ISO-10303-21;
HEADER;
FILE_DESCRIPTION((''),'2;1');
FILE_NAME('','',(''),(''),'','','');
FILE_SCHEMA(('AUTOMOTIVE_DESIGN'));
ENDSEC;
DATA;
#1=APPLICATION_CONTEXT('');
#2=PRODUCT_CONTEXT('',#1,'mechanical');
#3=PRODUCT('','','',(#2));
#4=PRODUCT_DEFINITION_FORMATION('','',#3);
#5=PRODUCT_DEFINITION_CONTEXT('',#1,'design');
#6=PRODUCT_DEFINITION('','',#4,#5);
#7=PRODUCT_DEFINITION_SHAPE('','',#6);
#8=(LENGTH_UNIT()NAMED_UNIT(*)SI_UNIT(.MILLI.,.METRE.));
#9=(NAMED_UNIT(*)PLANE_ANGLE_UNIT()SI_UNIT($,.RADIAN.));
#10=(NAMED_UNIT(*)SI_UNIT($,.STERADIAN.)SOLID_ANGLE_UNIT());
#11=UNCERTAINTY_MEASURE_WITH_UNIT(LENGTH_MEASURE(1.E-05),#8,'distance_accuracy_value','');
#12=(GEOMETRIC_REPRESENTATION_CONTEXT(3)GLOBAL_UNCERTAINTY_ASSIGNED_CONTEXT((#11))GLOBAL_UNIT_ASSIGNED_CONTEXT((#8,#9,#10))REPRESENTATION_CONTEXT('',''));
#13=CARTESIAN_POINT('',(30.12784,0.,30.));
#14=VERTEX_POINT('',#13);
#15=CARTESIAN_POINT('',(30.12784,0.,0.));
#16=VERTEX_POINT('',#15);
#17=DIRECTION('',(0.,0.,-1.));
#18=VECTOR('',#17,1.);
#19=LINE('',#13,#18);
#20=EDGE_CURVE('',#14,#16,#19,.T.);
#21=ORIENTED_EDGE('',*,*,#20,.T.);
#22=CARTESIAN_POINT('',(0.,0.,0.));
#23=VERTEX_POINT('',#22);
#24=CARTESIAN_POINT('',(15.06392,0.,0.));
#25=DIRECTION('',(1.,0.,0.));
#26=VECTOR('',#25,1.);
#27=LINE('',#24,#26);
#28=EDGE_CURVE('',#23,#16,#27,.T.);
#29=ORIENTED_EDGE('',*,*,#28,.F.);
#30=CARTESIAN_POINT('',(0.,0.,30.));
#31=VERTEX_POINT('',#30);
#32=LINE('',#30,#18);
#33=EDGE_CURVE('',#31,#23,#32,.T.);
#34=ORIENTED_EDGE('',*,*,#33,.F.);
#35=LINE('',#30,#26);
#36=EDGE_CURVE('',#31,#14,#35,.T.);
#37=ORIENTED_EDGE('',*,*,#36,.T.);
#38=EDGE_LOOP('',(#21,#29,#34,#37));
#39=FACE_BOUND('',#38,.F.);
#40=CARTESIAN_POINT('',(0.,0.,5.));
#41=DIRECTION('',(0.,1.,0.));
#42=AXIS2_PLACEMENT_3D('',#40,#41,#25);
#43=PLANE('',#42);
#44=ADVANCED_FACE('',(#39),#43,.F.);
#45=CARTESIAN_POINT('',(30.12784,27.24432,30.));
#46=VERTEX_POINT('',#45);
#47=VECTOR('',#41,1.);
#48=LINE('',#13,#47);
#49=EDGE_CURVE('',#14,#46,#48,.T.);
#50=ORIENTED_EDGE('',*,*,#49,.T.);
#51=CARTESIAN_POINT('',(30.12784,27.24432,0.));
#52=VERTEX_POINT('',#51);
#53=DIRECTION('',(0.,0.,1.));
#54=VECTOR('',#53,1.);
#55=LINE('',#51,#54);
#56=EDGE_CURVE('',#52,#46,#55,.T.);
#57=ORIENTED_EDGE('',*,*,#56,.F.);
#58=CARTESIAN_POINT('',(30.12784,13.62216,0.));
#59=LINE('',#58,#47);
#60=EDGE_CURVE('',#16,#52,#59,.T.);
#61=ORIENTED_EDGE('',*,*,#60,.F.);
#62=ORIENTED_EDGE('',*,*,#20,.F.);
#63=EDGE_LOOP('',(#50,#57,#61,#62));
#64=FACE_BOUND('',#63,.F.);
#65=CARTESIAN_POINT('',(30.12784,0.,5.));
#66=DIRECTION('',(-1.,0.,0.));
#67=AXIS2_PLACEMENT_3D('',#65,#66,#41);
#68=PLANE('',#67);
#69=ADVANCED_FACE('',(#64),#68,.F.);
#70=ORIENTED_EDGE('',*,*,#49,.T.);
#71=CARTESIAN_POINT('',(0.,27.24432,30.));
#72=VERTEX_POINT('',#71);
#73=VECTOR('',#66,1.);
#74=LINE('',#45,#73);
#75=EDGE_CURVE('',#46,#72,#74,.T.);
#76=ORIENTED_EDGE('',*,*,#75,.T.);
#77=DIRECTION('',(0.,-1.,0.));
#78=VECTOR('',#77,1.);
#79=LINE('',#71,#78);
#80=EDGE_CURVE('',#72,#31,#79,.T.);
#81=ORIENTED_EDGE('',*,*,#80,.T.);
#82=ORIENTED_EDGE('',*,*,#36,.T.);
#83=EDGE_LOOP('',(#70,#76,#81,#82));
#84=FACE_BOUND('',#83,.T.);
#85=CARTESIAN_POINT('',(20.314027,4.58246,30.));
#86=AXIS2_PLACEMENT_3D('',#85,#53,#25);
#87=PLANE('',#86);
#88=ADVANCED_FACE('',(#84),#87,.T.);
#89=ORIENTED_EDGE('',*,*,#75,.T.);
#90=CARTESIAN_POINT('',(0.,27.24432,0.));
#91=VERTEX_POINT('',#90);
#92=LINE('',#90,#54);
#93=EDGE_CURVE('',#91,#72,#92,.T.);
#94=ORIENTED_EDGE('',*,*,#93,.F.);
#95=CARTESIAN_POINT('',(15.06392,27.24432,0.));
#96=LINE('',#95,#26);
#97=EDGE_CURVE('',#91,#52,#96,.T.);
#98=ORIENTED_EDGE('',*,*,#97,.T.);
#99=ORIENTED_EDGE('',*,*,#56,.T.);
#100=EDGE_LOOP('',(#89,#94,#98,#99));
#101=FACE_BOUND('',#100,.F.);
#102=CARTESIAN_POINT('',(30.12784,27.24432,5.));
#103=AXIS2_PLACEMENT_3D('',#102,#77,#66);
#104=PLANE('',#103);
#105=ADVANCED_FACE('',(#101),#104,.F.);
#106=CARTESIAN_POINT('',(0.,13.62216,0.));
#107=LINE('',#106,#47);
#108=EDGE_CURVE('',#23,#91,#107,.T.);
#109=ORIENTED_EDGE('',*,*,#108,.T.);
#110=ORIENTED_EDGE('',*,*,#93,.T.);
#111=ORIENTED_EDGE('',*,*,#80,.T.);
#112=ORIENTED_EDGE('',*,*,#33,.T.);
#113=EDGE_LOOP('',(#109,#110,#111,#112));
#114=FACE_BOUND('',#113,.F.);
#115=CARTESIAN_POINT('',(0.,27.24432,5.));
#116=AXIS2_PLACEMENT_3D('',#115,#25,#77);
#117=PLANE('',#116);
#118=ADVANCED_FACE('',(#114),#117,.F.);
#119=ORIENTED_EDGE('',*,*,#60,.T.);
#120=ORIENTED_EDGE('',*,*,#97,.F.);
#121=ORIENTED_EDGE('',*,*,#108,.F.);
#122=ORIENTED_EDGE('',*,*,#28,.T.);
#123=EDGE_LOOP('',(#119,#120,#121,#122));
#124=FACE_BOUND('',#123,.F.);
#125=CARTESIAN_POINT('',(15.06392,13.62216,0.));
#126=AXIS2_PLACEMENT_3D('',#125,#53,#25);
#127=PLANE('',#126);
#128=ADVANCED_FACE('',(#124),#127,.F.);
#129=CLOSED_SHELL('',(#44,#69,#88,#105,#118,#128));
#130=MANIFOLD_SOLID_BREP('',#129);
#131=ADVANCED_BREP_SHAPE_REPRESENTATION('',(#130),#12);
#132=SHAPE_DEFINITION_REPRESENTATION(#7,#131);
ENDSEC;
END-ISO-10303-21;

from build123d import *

# Parameters (mm, degrees)
F0_W     = 30.12784
F0_H     = 27.24432
F1_DEPTH = 5
F2_W     = 19.627626
F2_H     = 9.16492
F2_W_2   = 10.500214
F3_DEPTH = 25


with BuildPart() as f1:
    # F0 (on Top) → F1 (new body)
    with BuildSketch(Plane.XY):
        with Locations((15.06392, 13.62216)):
            Rectangle(F0_W, F0_H)
    extrude(amount=F1_DEPTH)

    # F2 (on face) → F3 (join)
    with BuildSketch(Plane.XY.offset(5)):
        with Locations((20.314027, 4.58246)):
            Rectangle(F2_W, F2_H)
        with Locations((5.250107, 4.58246)):
            Rectangle(F2_W_2, F2_H)
        Polygon((10.500214, 9.16492), (30.12784, 9.16492), (30.12784, 27.24432), (0, 27.24432), (0, 9.16492), align=None)
    extrude(amount=F3_DEPTH)


solid = f1.part
